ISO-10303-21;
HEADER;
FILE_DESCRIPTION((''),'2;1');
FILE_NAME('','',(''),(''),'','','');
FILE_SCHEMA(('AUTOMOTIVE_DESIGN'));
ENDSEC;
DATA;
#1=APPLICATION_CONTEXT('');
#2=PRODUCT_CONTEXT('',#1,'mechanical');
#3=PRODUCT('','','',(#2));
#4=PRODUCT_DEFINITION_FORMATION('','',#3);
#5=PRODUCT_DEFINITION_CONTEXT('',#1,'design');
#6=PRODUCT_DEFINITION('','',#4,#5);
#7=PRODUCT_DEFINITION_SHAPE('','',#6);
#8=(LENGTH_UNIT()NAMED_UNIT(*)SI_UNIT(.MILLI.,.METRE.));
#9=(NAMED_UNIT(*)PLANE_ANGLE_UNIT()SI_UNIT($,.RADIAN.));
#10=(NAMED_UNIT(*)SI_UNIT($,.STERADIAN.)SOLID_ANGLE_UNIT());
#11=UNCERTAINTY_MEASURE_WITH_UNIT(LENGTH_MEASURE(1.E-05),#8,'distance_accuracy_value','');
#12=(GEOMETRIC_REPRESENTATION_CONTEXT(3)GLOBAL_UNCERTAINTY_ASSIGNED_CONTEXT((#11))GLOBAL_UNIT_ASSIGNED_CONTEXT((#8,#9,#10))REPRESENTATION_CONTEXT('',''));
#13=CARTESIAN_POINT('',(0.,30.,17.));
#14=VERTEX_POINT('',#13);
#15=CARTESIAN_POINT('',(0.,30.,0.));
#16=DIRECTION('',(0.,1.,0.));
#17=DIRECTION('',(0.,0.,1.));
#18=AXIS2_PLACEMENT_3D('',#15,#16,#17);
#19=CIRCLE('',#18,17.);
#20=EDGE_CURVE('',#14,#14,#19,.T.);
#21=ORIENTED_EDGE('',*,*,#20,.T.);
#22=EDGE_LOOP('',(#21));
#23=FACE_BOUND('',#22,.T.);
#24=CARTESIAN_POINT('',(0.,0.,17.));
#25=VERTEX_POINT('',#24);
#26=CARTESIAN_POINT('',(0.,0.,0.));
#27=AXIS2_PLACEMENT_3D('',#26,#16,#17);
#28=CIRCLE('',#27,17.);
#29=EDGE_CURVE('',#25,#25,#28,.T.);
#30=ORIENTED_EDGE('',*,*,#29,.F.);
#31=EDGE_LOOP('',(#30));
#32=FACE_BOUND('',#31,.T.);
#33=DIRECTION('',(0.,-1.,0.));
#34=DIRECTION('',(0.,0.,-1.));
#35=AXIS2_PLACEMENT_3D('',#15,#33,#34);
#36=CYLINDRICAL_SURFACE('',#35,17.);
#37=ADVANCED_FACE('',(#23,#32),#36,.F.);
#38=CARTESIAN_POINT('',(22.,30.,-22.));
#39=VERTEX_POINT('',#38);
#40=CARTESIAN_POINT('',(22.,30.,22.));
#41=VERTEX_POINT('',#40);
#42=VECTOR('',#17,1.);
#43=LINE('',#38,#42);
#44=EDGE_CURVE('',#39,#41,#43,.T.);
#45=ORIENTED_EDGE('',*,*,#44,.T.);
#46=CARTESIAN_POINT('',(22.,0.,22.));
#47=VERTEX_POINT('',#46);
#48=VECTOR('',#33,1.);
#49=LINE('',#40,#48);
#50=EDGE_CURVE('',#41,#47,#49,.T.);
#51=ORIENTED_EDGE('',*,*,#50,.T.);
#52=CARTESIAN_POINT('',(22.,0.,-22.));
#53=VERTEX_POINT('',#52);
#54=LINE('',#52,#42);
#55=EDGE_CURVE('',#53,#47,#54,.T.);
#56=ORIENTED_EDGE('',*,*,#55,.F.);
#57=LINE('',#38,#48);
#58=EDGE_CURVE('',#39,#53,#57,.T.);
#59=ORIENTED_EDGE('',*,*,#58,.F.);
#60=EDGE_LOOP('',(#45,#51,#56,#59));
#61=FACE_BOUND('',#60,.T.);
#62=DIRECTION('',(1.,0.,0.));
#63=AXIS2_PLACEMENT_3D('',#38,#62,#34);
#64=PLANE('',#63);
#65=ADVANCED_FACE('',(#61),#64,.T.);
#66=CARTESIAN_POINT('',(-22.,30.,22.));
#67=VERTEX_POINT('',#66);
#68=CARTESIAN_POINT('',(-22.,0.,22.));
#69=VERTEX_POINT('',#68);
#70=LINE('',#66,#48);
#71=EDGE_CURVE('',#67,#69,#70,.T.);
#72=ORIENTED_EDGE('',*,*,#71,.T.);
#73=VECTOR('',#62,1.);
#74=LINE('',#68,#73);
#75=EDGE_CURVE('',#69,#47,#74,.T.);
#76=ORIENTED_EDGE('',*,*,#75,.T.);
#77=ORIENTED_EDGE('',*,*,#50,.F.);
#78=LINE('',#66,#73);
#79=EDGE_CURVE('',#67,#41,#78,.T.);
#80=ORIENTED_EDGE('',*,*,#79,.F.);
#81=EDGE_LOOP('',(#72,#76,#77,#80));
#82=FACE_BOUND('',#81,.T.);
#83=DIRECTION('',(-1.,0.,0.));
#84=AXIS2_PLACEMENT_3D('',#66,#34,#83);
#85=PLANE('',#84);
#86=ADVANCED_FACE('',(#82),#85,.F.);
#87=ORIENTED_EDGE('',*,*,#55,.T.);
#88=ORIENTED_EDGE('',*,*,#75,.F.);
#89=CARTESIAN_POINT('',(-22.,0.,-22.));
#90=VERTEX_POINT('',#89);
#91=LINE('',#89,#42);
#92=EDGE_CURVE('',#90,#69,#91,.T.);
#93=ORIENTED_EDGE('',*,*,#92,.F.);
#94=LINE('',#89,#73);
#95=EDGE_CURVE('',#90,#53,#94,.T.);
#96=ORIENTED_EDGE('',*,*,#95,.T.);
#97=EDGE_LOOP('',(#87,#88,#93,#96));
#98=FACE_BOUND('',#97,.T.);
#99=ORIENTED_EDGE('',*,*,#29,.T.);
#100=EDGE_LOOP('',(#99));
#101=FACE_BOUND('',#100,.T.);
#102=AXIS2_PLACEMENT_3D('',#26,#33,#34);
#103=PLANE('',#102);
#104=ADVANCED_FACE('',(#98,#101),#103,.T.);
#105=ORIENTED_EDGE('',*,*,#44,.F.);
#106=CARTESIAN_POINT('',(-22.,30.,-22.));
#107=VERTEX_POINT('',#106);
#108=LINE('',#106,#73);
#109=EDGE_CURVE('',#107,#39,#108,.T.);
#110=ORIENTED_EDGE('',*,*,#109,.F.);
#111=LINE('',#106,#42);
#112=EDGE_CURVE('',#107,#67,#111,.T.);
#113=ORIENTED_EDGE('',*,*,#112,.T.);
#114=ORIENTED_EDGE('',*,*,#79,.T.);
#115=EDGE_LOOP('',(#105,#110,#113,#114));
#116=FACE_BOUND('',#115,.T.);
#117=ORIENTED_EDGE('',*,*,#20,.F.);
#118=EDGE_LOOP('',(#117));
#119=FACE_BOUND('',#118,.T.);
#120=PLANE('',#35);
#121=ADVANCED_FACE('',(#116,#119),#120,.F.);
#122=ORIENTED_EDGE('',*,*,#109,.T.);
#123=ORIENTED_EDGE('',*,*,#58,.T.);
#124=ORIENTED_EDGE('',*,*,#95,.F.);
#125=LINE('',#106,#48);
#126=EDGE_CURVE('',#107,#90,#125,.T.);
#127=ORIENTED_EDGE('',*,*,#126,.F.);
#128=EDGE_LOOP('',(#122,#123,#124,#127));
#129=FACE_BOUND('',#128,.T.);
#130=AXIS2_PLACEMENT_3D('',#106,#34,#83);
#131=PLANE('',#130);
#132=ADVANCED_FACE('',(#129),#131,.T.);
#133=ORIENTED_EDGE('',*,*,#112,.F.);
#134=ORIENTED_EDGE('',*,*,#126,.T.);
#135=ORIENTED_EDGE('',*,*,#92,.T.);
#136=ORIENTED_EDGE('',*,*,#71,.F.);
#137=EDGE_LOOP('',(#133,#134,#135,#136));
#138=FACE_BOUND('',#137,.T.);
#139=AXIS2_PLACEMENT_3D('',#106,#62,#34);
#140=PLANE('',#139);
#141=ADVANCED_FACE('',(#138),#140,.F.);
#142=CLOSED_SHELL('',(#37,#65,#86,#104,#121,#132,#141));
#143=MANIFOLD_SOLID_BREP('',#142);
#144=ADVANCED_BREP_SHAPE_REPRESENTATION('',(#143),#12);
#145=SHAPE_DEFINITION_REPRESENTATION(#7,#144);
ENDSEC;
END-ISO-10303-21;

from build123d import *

# Parameters (mm, degrees)
SKETCH_1_W          = 44
SKETCH_1_H          = 44
EXTRUDE_1_DEPTH     = 30
SKETCH_2_R          = 17
CUT_EXTRUDE_1_DEPTH = 30


with BuildPart() as part:
    # 草图1 → 凸台-拉伸1 (new body)
    with BuildSketch(Plane(origin=(0, 0, 0), x_dir=(1, 0, 0), z_dir=(0, 1, 0))):
        Rectangle(SKETCH_1_W, SKETCH_1_H)
    extrude(amount=EXTRUDE_1_DEPTH)

    # 草图2 → 切除-拉伸1 (cut)
    with BuildSketch(Plane(origin=(0, 0, 0), x_dir=(1, 0, 0), z_dir=(0, 1, 0))):
        with Locations(Location((0, 0, 0), (0, 0, 270))):
            Circle(SKETCH_2_R)
    extrude(amount=CUT_EXTRUDE_1_DEPTH, mode=Mode.SUBTRACT)


solid = part.part
